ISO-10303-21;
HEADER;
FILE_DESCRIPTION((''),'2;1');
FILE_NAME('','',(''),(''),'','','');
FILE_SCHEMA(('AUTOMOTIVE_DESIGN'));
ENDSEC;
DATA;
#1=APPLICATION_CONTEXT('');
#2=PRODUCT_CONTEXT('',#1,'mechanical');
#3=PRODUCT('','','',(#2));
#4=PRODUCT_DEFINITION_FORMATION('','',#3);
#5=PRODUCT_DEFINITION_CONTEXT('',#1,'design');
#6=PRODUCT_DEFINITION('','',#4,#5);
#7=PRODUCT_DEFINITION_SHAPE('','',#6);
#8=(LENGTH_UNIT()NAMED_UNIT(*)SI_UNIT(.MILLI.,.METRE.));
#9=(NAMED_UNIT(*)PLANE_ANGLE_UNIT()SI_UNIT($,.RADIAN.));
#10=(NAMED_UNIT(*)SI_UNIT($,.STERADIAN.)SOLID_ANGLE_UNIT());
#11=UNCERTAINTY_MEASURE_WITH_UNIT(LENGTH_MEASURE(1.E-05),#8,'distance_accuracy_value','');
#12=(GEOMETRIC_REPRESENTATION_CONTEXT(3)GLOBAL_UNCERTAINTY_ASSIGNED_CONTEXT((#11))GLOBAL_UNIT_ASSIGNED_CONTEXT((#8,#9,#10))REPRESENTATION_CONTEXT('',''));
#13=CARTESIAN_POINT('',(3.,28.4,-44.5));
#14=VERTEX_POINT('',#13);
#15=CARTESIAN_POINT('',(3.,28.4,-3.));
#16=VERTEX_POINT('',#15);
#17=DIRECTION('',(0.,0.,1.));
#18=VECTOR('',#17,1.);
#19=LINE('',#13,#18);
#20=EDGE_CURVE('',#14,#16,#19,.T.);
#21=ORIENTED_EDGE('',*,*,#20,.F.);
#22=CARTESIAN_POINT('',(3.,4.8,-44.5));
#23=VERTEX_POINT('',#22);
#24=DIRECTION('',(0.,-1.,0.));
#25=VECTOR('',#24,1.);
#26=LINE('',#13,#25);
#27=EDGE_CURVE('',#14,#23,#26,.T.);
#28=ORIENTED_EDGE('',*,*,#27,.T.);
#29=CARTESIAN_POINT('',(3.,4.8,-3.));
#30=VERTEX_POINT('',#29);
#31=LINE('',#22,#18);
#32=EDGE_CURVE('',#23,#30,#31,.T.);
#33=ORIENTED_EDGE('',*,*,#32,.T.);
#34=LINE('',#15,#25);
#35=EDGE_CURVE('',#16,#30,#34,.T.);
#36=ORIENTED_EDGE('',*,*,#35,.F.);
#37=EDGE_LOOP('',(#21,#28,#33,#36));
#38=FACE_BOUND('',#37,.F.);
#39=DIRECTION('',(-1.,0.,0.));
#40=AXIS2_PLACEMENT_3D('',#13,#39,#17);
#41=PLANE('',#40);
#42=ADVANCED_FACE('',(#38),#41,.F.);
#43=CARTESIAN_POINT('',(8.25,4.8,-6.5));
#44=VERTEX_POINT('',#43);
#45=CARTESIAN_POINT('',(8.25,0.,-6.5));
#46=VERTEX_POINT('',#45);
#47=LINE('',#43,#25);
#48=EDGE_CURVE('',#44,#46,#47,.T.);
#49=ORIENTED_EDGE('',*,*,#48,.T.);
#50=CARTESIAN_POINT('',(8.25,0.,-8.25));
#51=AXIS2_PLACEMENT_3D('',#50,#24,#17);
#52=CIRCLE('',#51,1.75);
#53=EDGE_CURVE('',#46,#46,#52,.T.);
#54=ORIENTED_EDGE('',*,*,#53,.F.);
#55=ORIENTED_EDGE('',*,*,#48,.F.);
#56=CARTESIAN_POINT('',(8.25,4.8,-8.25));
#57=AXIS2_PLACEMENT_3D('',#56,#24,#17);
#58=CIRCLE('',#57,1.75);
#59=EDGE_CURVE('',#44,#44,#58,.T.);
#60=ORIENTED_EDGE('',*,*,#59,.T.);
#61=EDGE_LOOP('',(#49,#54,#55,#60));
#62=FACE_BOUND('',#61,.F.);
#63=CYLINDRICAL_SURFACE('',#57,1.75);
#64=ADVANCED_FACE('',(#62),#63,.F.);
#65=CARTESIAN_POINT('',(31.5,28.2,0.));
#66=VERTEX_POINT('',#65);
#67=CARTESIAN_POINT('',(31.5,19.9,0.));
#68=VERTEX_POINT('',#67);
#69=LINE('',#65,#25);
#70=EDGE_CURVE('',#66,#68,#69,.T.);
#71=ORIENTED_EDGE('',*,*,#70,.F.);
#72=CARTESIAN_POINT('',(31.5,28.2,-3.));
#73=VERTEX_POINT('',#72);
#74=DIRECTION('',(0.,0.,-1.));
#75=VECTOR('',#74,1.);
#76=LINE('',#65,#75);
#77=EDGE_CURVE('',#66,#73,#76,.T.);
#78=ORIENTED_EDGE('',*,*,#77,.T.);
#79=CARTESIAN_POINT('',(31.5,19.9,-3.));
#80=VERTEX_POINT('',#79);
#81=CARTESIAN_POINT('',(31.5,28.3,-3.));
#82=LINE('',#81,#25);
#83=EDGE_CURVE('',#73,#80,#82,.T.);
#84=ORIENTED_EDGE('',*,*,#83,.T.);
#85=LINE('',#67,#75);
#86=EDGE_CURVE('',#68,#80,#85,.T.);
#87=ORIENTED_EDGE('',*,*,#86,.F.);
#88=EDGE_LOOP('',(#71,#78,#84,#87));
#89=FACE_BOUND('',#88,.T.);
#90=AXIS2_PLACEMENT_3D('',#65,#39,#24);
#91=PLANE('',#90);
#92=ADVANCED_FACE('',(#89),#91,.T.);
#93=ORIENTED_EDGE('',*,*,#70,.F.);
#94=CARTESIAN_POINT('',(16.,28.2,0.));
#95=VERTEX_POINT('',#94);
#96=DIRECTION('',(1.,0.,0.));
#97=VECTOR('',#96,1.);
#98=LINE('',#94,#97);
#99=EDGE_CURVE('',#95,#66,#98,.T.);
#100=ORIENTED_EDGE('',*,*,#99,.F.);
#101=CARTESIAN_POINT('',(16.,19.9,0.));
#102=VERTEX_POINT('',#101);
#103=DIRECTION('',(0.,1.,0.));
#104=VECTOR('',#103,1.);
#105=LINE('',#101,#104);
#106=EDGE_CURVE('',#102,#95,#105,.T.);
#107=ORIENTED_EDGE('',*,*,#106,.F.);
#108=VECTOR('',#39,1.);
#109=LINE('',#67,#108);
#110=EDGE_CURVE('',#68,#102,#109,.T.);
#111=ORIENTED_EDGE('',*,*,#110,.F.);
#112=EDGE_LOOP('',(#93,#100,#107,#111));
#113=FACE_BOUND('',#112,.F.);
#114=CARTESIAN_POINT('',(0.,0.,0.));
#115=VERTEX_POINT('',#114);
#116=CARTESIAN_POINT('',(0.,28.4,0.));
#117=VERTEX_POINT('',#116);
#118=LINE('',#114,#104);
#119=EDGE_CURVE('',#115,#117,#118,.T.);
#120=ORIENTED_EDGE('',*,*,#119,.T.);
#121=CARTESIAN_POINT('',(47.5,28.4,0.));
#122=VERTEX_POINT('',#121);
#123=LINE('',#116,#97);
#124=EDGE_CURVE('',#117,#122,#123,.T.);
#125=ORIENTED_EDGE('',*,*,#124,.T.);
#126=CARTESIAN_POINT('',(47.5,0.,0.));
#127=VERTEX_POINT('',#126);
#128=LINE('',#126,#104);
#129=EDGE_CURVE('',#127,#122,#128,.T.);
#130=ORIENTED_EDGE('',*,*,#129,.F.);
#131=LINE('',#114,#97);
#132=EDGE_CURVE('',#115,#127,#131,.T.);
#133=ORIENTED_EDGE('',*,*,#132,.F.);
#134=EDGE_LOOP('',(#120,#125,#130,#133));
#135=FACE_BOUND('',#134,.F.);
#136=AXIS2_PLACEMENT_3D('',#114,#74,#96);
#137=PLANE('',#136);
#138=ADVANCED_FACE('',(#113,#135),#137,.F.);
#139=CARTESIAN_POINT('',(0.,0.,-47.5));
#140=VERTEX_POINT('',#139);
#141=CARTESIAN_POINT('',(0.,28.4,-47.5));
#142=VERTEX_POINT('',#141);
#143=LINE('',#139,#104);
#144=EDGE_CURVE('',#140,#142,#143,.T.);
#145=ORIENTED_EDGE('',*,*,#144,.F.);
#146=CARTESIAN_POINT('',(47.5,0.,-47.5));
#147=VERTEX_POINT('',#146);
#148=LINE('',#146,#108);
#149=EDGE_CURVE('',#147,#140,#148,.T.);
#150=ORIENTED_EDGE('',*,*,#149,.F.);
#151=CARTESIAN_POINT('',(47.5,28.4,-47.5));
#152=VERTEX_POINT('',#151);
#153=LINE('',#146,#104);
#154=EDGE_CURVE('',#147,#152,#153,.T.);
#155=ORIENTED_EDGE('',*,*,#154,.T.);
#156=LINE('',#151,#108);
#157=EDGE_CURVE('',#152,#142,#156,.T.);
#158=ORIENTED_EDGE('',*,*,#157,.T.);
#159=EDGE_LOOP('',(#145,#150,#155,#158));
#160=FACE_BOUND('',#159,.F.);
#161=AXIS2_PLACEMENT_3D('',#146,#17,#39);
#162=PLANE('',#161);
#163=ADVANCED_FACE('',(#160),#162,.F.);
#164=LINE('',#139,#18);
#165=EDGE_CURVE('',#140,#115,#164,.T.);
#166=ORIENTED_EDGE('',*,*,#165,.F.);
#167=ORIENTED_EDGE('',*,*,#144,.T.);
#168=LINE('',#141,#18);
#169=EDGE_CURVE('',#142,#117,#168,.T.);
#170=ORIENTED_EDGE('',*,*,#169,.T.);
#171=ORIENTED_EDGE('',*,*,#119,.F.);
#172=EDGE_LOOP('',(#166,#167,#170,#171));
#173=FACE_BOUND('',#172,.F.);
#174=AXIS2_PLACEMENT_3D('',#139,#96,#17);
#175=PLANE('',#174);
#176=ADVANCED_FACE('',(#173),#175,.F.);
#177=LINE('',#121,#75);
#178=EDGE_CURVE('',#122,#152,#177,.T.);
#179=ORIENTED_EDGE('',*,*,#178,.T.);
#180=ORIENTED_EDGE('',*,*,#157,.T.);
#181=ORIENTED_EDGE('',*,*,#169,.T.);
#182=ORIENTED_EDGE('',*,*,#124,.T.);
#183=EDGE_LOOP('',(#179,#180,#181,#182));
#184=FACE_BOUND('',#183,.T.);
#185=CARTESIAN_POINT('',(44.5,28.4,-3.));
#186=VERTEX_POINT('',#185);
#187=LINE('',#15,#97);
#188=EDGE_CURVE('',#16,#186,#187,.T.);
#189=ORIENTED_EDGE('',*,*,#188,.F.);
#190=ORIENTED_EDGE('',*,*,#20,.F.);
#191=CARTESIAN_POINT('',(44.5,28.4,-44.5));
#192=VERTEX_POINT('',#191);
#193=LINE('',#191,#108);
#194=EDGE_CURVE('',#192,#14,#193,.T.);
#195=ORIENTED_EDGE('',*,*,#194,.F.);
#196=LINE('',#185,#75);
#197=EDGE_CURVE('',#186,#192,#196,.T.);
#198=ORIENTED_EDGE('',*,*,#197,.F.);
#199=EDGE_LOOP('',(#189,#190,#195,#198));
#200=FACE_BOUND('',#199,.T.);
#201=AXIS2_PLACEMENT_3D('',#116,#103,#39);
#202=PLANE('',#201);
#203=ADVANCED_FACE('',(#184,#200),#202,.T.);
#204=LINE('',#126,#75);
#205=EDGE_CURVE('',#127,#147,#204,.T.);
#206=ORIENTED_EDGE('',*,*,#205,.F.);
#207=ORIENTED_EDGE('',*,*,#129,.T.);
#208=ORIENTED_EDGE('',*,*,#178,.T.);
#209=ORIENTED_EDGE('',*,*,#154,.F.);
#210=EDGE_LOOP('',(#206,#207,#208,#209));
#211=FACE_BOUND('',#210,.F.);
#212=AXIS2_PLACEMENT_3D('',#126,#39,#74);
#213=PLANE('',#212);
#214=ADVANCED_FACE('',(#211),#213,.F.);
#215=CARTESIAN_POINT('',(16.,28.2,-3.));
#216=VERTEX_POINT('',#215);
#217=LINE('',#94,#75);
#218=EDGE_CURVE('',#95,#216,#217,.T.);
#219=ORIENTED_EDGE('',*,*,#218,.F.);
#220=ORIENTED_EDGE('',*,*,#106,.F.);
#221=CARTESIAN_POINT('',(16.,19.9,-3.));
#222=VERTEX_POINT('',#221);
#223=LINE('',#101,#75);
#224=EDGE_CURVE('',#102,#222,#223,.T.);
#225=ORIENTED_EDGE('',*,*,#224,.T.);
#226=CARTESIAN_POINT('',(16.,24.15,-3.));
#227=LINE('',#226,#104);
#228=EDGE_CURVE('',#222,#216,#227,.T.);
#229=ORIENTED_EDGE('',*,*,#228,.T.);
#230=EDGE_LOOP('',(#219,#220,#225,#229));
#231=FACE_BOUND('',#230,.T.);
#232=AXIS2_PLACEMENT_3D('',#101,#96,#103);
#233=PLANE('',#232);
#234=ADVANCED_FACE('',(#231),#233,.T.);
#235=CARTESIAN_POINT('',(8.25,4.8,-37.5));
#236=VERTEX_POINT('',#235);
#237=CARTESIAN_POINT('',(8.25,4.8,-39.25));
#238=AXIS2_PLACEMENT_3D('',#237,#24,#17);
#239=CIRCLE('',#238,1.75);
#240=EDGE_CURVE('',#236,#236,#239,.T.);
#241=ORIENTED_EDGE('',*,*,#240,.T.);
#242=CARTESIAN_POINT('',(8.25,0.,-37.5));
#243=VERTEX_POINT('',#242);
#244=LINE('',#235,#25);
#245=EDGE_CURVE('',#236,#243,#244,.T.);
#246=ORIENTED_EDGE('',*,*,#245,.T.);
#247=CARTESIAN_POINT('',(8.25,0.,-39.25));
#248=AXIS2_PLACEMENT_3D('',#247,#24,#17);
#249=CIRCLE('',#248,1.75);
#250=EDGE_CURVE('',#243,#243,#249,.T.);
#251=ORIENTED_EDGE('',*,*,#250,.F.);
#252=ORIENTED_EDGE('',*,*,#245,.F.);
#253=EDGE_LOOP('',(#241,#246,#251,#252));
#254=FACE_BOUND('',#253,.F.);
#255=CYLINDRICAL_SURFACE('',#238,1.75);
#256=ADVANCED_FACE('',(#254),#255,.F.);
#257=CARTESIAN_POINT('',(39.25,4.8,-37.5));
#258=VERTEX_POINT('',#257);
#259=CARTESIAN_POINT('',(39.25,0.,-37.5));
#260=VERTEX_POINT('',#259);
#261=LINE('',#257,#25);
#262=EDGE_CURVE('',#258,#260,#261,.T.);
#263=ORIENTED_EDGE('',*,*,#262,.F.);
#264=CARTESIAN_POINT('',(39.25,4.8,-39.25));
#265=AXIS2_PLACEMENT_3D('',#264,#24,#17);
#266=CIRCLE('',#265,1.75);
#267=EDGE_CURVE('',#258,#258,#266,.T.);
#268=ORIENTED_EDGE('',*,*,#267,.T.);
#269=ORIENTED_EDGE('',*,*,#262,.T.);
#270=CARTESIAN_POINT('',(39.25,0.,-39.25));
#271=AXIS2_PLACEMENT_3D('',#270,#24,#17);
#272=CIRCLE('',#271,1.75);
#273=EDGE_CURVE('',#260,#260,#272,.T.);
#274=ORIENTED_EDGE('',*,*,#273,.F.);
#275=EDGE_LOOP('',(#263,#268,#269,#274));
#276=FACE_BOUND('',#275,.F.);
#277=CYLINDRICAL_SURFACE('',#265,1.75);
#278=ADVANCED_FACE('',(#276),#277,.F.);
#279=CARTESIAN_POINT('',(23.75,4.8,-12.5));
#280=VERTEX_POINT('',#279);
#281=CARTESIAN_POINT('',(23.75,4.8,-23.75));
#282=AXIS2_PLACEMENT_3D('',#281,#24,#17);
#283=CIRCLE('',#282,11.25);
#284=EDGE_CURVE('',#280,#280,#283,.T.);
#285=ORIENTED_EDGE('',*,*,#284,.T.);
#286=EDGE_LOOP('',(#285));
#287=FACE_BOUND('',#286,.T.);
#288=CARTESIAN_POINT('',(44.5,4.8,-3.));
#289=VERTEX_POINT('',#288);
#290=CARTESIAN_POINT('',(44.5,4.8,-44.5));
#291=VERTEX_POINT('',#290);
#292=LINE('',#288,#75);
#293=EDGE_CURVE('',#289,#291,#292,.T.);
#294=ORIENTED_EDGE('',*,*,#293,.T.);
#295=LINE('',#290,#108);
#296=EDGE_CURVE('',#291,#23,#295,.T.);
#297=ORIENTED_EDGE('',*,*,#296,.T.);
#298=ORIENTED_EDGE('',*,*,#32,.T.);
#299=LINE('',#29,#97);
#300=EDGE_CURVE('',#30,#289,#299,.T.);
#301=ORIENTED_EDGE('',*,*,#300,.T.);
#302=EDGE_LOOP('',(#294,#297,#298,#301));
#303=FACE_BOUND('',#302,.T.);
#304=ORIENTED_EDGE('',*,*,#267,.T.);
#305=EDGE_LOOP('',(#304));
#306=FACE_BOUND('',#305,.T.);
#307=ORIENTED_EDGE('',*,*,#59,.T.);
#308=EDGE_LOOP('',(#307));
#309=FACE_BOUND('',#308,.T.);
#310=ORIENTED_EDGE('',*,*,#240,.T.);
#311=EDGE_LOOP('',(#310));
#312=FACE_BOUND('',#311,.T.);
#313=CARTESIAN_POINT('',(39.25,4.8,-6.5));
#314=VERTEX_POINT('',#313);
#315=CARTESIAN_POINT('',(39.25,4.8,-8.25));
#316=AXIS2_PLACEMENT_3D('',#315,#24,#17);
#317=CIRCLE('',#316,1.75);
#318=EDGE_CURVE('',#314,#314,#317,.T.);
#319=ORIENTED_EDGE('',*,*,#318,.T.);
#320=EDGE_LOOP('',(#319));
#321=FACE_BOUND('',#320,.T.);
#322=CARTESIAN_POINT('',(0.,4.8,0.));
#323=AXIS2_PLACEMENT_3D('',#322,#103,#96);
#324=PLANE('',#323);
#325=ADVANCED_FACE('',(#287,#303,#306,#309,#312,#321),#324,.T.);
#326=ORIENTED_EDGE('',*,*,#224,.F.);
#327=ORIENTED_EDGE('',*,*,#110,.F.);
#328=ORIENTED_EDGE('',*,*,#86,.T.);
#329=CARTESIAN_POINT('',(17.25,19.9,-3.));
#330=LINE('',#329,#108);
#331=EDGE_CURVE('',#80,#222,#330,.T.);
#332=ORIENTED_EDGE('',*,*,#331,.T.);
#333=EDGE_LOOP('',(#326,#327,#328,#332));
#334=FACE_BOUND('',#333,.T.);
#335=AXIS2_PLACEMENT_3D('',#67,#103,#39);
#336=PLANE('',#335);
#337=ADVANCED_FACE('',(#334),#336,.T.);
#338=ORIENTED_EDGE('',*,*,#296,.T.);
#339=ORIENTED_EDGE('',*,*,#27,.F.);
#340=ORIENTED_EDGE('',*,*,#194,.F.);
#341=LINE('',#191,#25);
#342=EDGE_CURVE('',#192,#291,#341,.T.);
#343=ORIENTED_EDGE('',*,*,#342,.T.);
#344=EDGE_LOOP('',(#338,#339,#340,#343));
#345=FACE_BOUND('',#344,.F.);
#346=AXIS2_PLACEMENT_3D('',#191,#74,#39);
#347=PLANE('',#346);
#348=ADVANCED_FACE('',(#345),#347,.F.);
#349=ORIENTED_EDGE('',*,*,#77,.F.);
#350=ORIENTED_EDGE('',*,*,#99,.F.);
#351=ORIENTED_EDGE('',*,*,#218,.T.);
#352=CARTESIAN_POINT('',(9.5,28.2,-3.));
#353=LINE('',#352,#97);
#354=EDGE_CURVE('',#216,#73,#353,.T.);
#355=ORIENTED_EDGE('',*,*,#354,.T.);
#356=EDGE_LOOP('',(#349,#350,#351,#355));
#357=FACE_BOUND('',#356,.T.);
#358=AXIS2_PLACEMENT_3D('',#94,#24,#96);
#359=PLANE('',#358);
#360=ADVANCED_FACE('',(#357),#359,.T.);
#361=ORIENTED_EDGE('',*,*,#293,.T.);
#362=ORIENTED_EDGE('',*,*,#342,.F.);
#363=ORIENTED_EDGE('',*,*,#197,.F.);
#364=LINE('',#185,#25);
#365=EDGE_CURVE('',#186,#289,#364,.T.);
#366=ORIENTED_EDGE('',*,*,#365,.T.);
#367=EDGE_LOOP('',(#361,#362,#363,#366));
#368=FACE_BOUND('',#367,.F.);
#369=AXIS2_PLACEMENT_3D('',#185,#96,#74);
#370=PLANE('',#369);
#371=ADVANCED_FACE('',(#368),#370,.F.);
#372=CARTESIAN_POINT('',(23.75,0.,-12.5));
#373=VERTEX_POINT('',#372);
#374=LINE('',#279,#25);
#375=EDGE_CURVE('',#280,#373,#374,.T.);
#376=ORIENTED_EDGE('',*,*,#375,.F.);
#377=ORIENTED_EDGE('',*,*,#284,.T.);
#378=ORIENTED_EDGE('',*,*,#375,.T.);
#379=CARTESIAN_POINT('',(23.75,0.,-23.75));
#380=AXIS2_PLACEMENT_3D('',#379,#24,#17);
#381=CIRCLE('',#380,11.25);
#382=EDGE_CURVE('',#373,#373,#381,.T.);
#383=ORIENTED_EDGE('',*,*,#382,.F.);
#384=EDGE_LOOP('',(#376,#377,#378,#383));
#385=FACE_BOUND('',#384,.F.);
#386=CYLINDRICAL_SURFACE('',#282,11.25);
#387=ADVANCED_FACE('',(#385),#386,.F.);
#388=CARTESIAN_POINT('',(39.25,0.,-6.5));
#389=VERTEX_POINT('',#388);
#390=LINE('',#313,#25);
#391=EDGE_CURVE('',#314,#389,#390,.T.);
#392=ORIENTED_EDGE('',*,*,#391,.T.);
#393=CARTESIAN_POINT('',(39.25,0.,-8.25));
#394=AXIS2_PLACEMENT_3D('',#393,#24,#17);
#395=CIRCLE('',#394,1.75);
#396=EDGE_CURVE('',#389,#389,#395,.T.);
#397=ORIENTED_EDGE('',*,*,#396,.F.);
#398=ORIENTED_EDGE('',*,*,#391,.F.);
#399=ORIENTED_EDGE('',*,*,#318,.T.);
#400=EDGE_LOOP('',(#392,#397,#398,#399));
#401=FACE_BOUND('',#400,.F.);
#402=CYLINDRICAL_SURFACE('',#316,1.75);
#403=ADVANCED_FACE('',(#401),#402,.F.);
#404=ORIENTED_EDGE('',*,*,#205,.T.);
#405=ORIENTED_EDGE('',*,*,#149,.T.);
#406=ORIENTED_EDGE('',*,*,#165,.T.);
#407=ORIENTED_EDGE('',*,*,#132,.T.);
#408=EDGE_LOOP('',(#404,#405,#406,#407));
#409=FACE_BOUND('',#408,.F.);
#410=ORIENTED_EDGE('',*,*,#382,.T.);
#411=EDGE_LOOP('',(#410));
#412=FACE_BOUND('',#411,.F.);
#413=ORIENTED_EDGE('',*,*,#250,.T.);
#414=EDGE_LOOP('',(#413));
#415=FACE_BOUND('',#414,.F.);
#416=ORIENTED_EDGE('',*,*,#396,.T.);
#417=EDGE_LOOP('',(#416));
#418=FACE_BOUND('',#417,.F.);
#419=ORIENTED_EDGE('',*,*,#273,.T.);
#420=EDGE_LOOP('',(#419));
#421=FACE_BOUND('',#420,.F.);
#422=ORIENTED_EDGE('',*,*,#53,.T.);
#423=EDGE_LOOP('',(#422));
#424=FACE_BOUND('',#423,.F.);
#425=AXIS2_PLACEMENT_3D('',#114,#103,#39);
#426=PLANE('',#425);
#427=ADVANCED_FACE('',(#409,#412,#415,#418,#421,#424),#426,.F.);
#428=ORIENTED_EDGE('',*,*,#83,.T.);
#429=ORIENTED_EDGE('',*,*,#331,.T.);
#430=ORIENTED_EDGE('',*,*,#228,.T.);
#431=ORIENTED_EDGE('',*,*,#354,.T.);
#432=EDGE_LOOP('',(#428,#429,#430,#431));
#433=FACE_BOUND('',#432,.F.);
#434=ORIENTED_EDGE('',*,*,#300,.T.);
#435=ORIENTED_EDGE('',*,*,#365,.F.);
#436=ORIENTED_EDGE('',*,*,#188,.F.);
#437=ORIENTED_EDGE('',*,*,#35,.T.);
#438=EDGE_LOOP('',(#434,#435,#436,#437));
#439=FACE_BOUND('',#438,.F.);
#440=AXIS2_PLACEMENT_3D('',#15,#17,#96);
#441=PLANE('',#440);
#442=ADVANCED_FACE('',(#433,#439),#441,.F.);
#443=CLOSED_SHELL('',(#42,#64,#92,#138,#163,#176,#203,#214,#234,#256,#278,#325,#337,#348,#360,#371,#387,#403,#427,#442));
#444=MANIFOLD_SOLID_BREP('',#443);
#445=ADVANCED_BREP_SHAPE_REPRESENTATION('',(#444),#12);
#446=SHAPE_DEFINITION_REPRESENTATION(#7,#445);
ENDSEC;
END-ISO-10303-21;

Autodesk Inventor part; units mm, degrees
ref_plane "YZ Plane" through (0, 0, 0) normal (1, 0, 0) x (0, 1, 0)
ref_plane "XZ Plane" through (0, 0, 0) normal (0, 1, 0) x (-1, 0, 0)
ref_plane "XY Plane" through (0, 0, 0) normal (0, 0, 1) x (1, 0, 0)
sketch "スケッチ1" plane through (0, 0, 0) normal (0, 1, 0) x (-1, 0, 0)
  line L0 (0, 0) -> (-47.5, 0)
  line L1 (-47.5, 0) -> (-47.5, -47.5)
  line L2 (-47.5, -47.5) -> (0, -47.5)
  line L3 (0, -47.5) -> (0, 0)
  dimension "d0" = 47.5
  dimension "d1" = 47.5
extrude "押し出し1" add sketch "スケッチ1" along normal blind 28.4
ref_plane "作業平面1" through (0, 28.4, 0) normal (0, 1, 0) x (1, 0, 0)
sketch "スケッチ3" plane through (0, 28.4, 0) normal (0, 1, 0) x (1, 0, 0)
  line L0 (3, 3) -> (44.5, 3)
  line L1 (44.5, 3) -> (44.5, 44.5)
  line L2 (44.5, 44.5) -> (3, 44.5)
  line L3 (3, 44.5) -> (3, 3)
  line L4 (47.5, 47.5) -> (0, 47.5) projected
  line L5 (0, 47.5) -> (0, 0) projected
  dimension "d15" = 41.5
  dimension "d16" = 41.5
  dimension "d17" = 3
  dimension "d18" = 3
extrude "押し出し3" cut sketch "スケッチ3" against normal blind 23.6
ref_plane "作業平面2" through (0, 4.8, 0) normal (0, 1, 0) x (1, 0, 0)
sketch "スケッチ4" plane through (0, 4.8, 0) normal (0, 1, 0) x (1, 0, 0)
  point P0 (0, 0)
  point P1 (23.75, 23.75)
hole "穴1" at (23.75, 4.8, -23.75) direction (0, -1, 0) diameter 22.5 end through all
sketch "スケッチ5" plane through (0, 4.8, 0) normal (0, 1, 0) x (1, 0, 0)
  line L0 (3, 44.5) -> (44.5, 44.5) projected
  line L1 (3, 3) -> (3, 44.5) projected
  line L2 (44.5, 44.5) -> (44.5, 3) projected
  line L3 (44.5, 3) -> (3, 3) projected
  point P0 (0, 0)
  point P1 (8.25, 39.25)
  point P2 (39.25, 39.25)
  point P3 (39.25, 8.25)
  point P4 (8.25, 8.25)
  dimension "d29" = 5.25
  dimension "d30" = 5.25
  dimension "d31" = 5.25
  dimension "d32" = 5.25
  dimension "d33" = 5.25
  dimension "d34" = 5.25
  dimension "d35" = 5.25
  dimension "d36" = 5.25
hole "穴2" at (8.25, 4.8, -39.25) at (39.25, 4.8, -39.25) at (39.25, 4.8, -8.25) at (8.25, 4.8, -8.25) direction (0, -1, 0) diameter 3.5 end through all
ref_plane "作業平面3" through (0, 0, 0) normal (0, 0, 1) x (1, 0, 0)
sketch "スケッチ6" plane through (0, 0, 0) normal (0, 0, 1) x (1, 0, 0)
  line L0 (16, 28.2) -> (31.5, 28.2)
  line L1 (31.5, 28.2) -> (31.5, 19.9)
  line L2 (31.5, 19.9) -> (16, 19.9)
  line L3 (16, 19.9) -> (16, 28.2)
  line L4 (0, 0) -> (47.5, 0) projected
  line L5 (0, 28.4) -> (47.5, 28.4) projected
  point P0 (23.75, 19.9)
  point P1 (23.75, 0)
  point P2 (23.75, 0)
  dimension "d46" = 19.9
  dimension "d47" = 0
  dimension "d48" = 15.5
  dimension "d51" = 8.5
extrude "押し出し4" cut sketch "スケッチ6" against normal blind 23.6
properties part number "motor_case"
